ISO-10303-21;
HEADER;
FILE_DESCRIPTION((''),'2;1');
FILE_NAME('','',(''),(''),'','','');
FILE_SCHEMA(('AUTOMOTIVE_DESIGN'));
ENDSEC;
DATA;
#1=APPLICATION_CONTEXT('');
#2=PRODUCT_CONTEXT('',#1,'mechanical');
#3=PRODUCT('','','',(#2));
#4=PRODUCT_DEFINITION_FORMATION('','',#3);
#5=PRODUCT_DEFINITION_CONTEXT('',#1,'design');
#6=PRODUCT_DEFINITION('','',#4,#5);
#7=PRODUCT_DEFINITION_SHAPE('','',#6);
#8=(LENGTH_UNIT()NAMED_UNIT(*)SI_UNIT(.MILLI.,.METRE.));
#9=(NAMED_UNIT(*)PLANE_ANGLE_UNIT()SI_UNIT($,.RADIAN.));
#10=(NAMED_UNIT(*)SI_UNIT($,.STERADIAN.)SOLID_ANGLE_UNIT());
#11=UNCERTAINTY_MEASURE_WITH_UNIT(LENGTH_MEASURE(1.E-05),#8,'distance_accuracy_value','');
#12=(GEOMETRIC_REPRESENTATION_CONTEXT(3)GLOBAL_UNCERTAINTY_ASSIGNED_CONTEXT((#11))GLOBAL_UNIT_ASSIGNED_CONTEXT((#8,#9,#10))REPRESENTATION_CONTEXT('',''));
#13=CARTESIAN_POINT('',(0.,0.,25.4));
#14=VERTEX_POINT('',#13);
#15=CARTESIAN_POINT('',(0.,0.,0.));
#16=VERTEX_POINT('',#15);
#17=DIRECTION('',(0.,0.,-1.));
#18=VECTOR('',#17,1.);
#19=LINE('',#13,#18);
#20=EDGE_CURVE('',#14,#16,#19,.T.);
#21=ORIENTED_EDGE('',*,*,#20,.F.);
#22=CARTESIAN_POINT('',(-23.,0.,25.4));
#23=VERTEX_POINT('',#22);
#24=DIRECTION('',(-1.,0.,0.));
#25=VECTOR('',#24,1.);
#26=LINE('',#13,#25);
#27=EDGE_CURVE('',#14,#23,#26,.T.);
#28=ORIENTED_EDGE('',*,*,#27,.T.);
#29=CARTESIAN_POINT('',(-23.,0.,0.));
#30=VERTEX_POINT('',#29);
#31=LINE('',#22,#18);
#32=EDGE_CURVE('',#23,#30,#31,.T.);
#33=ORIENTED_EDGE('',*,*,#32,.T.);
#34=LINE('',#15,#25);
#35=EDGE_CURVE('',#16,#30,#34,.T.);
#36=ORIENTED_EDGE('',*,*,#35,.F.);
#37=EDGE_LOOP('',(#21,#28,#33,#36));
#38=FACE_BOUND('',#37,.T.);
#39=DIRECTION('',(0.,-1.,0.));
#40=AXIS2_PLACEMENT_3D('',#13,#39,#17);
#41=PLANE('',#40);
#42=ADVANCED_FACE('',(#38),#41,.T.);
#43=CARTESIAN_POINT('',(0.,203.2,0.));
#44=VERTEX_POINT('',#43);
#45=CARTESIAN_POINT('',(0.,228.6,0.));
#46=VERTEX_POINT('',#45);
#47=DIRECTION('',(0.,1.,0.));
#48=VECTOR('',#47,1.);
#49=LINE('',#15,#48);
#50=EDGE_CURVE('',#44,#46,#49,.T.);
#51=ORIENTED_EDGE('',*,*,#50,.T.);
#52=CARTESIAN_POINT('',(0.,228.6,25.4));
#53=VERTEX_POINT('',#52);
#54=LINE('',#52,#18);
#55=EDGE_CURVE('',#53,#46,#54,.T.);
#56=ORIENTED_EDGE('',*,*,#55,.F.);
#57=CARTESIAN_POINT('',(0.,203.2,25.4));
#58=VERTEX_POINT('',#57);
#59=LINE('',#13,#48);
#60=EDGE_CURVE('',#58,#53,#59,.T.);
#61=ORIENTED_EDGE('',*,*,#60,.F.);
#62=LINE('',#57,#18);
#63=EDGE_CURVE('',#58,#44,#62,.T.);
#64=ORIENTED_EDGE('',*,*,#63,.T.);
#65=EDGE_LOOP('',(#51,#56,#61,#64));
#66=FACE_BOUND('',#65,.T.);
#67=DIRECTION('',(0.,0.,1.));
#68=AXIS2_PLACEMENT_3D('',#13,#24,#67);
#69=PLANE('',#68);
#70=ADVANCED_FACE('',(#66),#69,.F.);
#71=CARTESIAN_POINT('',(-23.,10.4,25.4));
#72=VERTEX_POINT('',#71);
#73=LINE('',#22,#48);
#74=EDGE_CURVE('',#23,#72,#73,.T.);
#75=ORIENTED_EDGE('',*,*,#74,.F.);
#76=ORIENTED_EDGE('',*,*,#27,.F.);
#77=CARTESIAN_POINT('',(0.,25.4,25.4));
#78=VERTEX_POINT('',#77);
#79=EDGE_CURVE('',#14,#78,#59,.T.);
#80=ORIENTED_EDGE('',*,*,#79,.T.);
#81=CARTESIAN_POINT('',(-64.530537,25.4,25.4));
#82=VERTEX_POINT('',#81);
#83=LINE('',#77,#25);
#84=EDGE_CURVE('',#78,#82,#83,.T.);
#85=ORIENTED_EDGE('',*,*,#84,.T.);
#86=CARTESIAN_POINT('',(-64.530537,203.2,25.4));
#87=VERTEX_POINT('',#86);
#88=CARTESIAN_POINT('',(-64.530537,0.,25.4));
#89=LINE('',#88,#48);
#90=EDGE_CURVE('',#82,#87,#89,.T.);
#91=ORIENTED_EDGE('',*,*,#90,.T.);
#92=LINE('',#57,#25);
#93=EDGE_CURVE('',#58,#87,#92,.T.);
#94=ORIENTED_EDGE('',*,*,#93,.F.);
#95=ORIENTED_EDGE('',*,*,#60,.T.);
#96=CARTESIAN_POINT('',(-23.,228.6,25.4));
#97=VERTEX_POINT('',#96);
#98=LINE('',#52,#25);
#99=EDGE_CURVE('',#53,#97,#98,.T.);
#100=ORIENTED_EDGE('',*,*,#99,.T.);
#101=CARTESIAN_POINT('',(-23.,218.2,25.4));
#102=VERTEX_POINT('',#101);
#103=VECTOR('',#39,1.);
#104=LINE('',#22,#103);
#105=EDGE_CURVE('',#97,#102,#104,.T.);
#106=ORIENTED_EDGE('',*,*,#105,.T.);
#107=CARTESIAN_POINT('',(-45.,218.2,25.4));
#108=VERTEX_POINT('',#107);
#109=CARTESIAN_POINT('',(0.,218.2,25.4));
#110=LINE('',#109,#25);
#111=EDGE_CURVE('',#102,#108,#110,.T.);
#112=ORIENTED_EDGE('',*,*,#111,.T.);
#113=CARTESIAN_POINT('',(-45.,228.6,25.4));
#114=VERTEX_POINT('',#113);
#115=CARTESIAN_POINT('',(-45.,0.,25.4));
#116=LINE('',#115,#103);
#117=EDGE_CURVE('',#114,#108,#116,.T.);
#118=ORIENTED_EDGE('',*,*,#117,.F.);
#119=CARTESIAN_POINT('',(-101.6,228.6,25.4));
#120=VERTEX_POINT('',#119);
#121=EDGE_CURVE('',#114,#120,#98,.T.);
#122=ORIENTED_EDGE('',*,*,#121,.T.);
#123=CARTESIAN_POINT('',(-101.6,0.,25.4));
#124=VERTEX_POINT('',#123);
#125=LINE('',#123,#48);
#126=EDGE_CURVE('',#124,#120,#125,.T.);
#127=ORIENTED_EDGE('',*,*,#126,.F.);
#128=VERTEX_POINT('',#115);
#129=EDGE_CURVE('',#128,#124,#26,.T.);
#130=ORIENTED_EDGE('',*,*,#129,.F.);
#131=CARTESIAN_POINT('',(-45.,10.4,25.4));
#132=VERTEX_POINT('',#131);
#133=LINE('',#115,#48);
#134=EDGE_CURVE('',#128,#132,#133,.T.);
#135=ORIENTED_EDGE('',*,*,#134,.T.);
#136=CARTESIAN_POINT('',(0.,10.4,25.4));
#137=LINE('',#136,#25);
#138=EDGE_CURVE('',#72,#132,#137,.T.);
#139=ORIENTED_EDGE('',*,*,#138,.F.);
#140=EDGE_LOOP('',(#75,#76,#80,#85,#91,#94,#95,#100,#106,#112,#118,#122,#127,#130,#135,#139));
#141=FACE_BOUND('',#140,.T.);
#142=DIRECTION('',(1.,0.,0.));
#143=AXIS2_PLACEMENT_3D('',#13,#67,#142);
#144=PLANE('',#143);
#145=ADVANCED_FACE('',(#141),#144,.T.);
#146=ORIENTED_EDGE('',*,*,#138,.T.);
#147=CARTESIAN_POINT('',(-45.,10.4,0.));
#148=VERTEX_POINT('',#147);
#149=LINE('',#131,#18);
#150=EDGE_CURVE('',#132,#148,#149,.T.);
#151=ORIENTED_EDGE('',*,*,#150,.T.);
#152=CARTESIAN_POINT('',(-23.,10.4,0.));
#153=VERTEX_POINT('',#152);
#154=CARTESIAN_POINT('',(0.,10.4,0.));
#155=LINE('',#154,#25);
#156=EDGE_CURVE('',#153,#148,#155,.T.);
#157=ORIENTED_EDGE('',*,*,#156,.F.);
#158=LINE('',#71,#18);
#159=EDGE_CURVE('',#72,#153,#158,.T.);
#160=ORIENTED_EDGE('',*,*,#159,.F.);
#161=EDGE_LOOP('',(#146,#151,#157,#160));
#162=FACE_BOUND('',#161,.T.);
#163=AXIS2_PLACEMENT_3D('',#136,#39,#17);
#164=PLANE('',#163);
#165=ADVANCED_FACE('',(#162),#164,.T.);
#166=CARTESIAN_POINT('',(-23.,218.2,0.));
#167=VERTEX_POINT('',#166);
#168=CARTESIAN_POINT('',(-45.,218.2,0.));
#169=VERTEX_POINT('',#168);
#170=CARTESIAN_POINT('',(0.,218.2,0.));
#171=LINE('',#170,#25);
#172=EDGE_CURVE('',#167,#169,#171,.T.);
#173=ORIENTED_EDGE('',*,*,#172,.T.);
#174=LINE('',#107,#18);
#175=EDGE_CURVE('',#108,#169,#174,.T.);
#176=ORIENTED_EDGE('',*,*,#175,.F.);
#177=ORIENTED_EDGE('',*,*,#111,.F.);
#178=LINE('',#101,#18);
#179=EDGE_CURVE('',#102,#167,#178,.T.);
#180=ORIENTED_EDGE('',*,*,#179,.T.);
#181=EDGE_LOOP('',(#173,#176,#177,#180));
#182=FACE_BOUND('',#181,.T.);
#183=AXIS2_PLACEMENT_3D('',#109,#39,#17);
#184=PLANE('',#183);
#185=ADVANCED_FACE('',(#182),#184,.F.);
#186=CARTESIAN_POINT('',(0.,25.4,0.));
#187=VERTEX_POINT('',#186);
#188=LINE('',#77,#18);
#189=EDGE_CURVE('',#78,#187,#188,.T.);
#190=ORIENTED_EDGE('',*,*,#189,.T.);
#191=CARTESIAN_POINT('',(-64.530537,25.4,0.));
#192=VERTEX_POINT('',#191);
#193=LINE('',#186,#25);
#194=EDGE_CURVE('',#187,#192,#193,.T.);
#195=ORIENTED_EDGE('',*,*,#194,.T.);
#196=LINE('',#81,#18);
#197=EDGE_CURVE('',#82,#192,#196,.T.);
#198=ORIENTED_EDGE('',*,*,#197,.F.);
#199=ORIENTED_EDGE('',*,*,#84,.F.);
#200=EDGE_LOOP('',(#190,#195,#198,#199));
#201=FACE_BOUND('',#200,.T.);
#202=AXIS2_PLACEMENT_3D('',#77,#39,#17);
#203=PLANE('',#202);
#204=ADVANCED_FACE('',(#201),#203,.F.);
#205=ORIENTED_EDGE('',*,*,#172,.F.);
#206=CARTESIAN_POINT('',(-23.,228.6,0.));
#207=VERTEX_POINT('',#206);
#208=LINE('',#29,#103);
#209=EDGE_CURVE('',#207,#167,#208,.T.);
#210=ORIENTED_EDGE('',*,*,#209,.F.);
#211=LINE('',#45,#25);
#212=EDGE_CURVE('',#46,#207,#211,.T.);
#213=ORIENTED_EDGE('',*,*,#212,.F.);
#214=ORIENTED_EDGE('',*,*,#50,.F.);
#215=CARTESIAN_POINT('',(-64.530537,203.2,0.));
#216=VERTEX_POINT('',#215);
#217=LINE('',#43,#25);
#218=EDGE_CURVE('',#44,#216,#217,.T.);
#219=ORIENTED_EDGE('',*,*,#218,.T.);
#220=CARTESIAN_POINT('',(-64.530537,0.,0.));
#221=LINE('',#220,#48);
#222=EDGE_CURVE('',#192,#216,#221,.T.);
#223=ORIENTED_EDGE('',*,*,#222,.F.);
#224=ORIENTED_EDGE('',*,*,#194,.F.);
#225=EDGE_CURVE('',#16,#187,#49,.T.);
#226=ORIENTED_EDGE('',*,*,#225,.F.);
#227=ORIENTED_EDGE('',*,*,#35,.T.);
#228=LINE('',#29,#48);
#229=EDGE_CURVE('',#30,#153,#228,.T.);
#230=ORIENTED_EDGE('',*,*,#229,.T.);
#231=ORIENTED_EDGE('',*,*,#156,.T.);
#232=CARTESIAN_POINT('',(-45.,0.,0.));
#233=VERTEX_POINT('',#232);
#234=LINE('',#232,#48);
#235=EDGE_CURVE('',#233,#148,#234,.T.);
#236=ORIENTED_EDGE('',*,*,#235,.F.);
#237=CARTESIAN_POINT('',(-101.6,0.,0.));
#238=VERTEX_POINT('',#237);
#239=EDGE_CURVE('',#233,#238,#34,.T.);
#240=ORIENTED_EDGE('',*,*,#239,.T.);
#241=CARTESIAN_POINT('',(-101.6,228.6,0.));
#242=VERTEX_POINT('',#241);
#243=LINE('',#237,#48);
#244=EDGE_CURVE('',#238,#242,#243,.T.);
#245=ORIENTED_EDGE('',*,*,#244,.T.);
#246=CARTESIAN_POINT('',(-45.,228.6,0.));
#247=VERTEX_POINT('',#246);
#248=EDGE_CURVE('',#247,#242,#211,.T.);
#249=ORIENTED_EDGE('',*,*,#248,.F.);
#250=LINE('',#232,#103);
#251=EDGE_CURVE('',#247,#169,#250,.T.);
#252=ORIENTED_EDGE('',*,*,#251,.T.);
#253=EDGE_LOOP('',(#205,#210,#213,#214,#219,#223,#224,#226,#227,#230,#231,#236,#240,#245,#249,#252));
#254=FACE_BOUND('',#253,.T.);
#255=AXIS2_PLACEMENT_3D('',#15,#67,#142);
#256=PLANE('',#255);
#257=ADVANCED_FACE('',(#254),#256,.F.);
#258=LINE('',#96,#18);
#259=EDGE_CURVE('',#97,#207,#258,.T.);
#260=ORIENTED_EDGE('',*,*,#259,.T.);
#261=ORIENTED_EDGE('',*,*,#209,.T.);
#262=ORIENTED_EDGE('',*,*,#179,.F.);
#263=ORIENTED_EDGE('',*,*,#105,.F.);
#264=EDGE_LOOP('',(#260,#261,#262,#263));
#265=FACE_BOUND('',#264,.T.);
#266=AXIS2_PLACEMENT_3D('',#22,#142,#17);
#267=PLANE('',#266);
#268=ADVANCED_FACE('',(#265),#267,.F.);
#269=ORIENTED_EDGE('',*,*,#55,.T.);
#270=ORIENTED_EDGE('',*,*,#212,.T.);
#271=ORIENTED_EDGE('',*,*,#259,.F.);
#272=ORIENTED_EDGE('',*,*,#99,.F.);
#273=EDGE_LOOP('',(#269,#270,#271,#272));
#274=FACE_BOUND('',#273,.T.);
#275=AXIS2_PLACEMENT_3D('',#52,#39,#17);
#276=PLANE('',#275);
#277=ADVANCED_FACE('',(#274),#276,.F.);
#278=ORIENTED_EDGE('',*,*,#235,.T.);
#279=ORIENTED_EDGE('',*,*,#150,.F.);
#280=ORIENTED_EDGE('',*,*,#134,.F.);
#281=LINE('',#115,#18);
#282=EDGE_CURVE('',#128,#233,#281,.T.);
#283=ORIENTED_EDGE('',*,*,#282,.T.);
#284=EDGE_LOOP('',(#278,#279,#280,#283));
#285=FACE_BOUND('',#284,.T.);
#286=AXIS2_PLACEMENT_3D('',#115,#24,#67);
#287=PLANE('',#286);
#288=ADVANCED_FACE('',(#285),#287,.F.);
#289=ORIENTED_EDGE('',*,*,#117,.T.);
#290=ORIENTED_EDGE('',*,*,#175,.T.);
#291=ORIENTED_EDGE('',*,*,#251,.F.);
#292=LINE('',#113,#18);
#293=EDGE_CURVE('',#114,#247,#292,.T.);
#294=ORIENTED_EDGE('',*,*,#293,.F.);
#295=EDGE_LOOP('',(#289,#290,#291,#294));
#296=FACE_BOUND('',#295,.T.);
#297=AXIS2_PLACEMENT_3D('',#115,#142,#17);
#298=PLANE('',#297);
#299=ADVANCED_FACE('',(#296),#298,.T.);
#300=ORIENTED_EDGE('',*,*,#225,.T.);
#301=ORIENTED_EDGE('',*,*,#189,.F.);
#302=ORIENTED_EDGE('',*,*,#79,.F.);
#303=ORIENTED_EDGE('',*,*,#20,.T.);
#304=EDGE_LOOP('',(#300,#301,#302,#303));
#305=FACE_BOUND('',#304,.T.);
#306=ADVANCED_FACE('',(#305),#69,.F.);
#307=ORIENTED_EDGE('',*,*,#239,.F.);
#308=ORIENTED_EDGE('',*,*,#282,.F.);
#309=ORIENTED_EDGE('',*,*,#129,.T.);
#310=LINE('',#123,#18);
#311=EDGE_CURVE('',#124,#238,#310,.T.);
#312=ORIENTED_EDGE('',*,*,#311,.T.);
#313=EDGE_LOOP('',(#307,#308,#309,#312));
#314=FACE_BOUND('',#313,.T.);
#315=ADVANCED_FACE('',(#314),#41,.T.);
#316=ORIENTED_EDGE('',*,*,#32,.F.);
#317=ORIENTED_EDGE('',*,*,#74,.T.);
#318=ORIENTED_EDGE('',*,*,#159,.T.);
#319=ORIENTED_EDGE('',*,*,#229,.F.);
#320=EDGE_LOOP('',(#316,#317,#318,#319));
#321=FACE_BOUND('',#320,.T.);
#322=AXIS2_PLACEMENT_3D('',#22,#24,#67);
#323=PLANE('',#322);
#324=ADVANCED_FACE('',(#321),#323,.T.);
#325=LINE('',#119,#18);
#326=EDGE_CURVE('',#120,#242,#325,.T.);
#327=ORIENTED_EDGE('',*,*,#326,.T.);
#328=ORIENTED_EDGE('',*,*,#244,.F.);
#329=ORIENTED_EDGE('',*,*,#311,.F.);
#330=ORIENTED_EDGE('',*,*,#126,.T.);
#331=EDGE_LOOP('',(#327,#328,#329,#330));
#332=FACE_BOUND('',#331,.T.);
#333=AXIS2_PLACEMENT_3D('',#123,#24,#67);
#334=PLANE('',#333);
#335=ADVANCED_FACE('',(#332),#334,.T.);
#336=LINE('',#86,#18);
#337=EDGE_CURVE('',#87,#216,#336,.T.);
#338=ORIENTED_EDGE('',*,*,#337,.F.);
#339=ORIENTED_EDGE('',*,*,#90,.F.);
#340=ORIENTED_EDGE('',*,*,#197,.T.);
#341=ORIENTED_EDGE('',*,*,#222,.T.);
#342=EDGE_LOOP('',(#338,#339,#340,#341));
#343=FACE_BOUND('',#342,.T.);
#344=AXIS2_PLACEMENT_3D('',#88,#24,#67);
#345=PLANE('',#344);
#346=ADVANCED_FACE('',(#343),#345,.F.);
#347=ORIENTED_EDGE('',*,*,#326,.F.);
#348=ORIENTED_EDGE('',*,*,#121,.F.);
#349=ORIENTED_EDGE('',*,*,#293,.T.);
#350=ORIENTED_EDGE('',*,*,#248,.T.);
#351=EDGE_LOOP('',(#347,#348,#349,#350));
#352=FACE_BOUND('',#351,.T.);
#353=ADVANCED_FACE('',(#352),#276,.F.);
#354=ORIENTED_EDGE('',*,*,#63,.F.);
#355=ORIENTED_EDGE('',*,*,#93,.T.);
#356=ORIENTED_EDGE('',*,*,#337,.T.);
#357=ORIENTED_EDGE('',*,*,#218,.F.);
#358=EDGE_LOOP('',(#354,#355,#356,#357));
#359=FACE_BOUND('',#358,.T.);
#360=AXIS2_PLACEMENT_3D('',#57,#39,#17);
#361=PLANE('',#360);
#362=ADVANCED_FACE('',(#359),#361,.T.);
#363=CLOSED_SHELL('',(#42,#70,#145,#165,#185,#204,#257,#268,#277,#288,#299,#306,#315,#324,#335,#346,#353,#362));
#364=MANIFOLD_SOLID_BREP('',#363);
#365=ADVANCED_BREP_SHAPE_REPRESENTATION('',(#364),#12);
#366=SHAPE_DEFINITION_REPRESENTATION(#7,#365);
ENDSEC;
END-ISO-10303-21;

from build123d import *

# Parameters (mm, degrees)
BOSS_EXTRUDE1_DEPTH = 25.4


with BuildPart() as part:
    # Sketch1 → Boss-Extrude1 (new body)
    with BuildSketch(Plane(origin=(0, 0, 0), x_dir=(0, 1, 0), z_dir=(0, 0, 1))):
        Polygon((0, 23), (0, 0), (25.4, 0), (25.4, 64.530536968), (203.2, 64.530536968), (203.2, 0), (228.6, 0), (228.6, 23), (218.2, 23), (218.2, 45), (228.6, 45), (228.6, 101.6), (0, 101.6), (0, 45), (10.4, 45), (10.4, 23), align=None)
    extrude(amount=BOSS_EXTRUDE1_DEPTH)


solid = part.part
